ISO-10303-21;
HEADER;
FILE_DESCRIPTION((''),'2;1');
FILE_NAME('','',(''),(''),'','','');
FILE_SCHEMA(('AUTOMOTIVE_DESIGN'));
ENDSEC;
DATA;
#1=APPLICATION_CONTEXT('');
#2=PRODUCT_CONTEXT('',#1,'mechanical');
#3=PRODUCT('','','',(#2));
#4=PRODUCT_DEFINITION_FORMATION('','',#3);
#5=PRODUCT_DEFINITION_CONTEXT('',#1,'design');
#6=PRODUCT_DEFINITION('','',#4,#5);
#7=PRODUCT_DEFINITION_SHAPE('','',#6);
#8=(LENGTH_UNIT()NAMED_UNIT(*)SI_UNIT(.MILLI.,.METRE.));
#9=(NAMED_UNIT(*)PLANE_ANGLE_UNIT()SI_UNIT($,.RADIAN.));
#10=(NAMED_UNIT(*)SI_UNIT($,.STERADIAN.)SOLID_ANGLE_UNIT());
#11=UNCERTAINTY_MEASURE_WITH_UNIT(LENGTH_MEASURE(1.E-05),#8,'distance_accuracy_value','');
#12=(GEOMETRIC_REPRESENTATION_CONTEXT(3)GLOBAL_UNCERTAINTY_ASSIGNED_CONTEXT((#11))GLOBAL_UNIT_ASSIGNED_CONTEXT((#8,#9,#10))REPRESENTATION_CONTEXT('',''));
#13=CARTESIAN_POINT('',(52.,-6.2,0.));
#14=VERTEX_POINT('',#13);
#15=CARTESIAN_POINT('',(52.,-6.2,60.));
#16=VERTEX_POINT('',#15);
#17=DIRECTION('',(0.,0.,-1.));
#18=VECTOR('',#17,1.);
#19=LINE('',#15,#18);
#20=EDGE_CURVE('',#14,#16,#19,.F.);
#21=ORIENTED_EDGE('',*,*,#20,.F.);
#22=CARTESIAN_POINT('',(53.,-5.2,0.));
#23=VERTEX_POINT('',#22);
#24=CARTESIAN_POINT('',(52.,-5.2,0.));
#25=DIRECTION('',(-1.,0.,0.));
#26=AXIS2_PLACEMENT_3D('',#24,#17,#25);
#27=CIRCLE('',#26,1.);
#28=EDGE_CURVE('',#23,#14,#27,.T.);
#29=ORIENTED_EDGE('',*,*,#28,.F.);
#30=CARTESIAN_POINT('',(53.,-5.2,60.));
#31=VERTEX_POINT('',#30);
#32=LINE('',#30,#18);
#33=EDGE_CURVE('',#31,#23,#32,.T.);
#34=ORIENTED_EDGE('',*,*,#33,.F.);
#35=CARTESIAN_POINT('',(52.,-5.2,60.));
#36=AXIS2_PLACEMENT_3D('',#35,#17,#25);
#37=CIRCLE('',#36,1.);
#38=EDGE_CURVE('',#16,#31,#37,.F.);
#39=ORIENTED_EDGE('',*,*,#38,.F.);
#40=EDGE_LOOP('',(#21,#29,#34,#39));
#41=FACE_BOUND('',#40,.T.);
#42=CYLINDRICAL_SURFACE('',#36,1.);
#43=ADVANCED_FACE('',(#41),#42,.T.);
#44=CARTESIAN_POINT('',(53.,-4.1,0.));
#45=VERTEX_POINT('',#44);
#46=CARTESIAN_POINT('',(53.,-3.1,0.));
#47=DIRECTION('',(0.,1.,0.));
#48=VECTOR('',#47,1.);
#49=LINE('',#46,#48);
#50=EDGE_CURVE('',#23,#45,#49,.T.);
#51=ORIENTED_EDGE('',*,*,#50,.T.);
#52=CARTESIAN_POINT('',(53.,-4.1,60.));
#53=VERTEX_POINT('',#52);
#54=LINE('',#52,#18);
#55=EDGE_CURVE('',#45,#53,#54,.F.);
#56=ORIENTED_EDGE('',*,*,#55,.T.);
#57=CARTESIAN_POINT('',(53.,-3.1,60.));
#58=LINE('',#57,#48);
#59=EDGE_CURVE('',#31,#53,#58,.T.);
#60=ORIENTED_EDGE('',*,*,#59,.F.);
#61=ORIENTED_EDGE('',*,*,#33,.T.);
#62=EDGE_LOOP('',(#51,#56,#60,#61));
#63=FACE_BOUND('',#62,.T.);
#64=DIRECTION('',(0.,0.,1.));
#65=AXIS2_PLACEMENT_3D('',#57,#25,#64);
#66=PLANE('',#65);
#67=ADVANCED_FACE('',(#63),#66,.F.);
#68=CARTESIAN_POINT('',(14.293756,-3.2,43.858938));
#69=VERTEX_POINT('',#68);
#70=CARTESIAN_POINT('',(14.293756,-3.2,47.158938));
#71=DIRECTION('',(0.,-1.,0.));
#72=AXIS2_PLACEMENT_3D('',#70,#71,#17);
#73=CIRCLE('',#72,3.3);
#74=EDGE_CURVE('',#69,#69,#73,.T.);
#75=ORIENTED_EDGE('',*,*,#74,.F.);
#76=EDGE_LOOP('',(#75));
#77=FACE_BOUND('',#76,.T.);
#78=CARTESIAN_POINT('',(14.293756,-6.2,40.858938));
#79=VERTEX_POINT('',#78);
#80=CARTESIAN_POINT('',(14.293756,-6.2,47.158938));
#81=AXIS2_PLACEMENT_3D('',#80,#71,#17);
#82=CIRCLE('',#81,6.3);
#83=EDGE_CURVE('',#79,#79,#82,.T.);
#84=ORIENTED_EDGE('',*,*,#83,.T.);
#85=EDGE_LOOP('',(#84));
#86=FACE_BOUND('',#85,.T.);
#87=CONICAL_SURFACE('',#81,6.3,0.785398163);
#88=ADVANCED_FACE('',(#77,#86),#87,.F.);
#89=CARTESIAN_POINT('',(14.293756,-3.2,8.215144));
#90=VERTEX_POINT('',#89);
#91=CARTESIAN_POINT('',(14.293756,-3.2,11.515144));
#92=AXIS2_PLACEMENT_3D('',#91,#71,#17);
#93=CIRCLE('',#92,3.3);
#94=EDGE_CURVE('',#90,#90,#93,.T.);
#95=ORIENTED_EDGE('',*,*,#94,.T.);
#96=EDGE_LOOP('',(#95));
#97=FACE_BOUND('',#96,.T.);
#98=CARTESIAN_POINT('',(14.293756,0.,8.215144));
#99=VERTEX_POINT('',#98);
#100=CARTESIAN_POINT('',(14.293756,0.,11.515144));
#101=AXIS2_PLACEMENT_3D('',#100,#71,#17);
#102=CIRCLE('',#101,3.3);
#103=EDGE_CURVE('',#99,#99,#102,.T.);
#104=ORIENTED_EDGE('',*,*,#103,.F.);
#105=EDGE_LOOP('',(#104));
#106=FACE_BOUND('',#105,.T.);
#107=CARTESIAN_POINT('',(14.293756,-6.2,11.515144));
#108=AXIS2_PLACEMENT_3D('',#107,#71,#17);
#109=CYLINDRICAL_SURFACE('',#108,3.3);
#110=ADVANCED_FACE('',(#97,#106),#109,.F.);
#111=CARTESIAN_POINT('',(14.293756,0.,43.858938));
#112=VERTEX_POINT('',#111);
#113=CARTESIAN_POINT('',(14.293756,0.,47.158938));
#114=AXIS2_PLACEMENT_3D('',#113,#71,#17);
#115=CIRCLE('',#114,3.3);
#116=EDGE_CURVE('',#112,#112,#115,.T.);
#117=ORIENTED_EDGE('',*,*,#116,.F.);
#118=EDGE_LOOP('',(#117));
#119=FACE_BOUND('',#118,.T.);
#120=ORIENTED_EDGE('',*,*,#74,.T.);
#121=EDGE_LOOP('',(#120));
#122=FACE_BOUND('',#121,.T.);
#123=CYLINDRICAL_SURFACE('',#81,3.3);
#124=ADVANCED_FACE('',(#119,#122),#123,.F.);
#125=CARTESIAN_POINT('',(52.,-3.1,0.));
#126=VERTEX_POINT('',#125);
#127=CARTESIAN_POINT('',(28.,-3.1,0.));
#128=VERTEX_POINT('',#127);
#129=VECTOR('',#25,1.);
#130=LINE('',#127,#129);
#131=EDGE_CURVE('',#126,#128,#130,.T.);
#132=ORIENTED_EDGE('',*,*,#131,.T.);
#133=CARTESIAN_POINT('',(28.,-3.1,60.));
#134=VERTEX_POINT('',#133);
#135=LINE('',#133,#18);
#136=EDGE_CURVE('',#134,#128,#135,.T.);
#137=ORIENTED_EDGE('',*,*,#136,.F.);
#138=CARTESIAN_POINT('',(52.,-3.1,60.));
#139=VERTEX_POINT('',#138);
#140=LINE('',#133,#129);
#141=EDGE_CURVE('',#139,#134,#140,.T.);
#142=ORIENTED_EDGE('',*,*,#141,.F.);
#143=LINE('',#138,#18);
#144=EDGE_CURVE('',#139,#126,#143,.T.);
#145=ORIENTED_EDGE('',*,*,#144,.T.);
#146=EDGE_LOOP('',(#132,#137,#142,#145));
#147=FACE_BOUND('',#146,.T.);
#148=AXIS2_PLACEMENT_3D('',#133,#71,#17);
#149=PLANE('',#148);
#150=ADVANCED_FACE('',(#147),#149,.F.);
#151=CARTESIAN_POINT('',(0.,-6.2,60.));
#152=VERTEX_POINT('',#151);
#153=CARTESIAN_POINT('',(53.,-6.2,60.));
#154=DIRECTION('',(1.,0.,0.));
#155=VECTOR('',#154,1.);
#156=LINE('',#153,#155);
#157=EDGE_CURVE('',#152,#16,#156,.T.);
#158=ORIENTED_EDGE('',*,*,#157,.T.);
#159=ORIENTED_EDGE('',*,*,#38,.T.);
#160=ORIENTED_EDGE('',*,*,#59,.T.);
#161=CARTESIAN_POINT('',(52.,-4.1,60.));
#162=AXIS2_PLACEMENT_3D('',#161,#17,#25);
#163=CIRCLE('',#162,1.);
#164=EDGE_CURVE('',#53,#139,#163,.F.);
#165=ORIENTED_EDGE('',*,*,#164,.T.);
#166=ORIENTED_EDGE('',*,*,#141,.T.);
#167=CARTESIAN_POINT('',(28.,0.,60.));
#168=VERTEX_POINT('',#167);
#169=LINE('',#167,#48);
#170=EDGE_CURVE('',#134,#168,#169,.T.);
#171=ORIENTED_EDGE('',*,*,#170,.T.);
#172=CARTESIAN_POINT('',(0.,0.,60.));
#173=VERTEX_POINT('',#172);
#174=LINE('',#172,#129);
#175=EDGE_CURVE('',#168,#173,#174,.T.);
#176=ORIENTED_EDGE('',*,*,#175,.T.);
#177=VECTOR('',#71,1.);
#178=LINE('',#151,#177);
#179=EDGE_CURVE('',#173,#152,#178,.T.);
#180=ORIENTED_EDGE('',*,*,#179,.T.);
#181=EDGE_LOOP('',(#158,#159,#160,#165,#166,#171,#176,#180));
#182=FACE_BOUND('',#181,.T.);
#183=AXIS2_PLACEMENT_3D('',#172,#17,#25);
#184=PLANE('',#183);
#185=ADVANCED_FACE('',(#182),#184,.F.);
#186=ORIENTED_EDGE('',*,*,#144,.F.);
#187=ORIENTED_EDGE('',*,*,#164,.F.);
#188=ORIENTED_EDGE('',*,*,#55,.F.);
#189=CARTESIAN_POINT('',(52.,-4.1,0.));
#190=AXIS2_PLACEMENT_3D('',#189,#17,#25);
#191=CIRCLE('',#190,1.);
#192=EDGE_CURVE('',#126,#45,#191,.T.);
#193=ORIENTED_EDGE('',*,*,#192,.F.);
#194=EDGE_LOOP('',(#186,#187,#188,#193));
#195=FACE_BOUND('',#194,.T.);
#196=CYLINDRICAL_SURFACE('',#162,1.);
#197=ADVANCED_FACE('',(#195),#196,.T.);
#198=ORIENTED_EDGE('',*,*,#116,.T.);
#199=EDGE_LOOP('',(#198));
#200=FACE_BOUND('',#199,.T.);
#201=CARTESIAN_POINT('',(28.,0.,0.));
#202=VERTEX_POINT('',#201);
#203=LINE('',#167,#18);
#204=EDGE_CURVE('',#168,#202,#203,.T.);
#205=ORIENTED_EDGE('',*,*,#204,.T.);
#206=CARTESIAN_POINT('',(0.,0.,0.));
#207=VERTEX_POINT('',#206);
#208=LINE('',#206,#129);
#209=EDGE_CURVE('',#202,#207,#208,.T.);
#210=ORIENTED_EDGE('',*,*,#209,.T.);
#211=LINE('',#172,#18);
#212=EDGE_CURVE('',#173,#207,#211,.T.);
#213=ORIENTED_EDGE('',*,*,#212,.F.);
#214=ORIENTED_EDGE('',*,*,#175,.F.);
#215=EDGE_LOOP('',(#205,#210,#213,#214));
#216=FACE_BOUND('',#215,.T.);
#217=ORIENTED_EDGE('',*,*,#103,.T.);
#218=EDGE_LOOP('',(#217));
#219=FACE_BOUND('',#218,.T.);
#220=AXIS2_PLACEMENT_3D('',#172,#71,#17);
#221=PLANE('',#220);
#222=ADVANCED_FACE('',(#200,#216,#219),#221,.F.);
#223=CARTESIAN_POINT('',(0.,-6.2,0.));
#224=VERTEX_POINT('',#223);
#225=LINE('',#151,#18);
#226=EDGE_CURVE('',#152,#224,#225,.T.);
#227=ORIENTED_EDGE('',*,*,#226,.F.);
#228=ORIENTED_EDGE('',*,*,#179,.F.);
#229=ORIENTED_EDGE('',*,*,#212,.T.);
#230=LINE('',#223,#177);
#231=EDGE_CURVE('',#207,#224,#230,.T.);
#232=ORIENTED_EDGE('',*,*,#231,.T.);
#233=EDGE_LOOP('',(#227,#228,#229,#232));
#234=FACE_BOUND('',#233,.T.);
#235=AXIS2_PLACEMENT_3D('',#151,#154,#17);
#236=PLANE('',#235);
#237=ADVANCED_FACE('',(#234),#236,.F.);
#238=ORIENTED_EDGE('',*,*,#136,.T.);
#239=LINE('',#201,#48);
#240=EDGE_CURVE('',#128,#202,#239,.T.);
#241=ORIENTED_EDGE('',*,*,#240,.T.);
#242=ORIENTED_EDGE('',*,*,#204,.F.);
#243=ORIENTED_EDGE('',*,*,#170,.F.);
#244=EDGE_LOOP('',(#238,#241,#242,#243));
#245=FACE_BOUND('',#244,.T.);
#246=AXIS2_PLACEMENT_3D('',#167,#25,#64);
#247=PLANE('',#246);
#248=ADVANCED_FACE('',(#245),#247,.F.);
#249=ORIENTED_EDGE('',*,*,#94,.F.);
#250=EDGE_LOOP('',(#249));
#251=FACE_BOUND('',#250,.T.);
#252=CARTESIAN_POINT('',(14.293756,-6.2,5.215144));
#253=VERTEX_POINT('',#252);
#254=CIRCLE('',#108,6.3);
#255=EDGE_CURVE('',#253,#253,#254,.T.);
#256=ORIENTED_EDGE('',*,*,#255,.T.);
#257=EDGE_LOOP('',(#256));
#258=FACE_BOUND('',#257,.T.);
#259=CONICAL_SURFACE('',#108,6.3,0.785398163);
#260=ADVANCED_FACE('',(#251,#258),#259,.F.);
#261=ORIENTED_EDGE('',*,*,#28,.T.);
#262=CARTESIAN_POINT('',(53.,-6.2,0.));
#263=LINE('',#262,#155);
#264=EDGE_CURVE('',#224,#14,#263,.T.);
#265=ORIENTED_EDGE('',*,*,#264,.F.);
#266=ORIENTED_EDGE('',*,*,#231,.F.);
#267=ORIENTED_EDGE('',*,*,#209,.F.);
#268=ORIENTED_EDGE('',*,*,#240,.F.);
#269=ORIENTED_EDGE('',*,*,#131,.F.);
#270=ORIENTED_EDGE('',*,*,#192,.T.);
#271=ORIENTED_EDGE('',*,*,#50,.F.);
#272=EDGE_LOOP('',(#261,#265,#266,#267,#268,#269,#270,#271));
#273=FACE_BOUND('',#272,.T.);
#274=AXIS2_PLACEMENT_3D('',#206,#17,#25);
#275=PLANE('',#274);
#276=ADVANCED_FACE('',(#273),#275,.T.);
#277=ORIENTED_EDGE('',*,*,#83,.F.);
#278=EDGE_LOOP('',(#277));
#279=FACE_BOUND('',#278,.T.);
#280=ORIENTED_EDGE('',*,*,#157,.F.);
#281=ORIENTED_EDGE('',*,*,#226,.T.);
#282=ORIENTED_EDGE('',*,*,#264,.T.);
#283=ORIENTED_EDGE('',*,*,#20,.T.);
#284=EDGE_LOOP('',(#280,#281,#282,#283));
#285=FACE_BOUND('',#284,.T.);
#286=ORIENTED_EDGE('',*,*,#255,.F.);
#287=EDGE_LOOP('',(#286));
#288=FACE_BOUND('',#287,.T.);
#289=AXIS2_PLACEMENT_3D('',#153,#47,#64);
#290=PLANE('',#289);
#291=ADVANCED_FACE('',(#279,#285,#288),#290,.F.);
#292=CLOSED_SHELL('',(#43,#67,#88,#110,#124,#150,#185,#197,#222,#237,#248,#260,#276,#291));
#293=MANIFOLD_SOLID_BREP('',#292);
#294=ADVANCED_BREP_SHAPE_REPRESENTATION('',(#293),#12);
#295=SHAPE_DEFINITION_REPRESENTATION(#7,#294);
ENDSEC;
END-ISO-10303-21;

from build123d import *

# Parameters (mm, degrees)
BOSS_EXTRU_1_DEPTH                             = 60
CONG_1_R                                       = 1
FRAISAGE_POUR_VIS_T_TE_FRAIS_E_M62_D           = 6.6
FRAISAGE_POUR_VIS_T_TE_FRAIS_E_M62_DEPTH       = 8
FRAISAGE_POUR_VIS_T_TE_FRAIS_E_M62_CSINK_D     = 12.6
FRAISAGE_POUR_VIS_T_TE_FRAIS_E_M62_CSINK_ANGLE = 90
FRAISAGE_POUR_VIS_T_TE_FRAIS_E_M62_TIP         = 1.982840043


with BuildPart() as part:
    # Esquisse1 → Boss.-Extru.1 (new body)
    with BuildSketch(Plane.XY):
        Polygon((0, 0), (28, 0), (28, -3.1), (53, -3.1), (53, -6.2), (0, -6.2), align=None)
    extrude(amount=BOSS_EXTRU_1_DEPTH)

    # Congé1
    cong_1_edges = [part.edges().sort_by_distance(p)[0] for p in [
        (53, -3.1, 30),
        (53, -6.2, 30),
    ]]
    fillet(cong_1_edges, radius=CONG_1_R)

    # Fraisage pour vis à tête fraisée M62
    with Locations(Plane(origin=(0, -6.2, 0), x_dir=(-1, 0, 0), z_dir=(0, -1, 0))):
        with Locations((-14.293755616, -11.515144287), (-14.293755616, -47.158937793)):
            CounterSinkHole(FRAISAGE_POUR_VIS_T_TE_FRAIS_E_M62_D / 2, FRAISAGE_POUR_VIS_T_TE_FRAIS_E_M62_CSINK_D / 2, depth=FRAISAGE_POUR_VIS_T_TE_FRAIS_E_M62_DEPTH, counter_sink_angle=FRAISAGE_POUR_VIS_T_TE_FRAIS_E_M62_CSINK_ANGLE)
            with Locations((0, 0, -(FRAISAGE_POUR_VIS_T_TE_FRAIS_E_M62_DEPTH + FRAISAGE_POUR_VIS_T_TE_FRAIS_E_M62_TIP / 2))):  # 118° drill point
                Cone(0, FRAISAGE_POUR_VIS_T_TE_FRAIS_E_M62_D / 2, FRAISAGE_POUR_VIS_T_TE_FRAIS_E_M62_TIP, mode=Mode.SUBTRACT)


solid = part.part
